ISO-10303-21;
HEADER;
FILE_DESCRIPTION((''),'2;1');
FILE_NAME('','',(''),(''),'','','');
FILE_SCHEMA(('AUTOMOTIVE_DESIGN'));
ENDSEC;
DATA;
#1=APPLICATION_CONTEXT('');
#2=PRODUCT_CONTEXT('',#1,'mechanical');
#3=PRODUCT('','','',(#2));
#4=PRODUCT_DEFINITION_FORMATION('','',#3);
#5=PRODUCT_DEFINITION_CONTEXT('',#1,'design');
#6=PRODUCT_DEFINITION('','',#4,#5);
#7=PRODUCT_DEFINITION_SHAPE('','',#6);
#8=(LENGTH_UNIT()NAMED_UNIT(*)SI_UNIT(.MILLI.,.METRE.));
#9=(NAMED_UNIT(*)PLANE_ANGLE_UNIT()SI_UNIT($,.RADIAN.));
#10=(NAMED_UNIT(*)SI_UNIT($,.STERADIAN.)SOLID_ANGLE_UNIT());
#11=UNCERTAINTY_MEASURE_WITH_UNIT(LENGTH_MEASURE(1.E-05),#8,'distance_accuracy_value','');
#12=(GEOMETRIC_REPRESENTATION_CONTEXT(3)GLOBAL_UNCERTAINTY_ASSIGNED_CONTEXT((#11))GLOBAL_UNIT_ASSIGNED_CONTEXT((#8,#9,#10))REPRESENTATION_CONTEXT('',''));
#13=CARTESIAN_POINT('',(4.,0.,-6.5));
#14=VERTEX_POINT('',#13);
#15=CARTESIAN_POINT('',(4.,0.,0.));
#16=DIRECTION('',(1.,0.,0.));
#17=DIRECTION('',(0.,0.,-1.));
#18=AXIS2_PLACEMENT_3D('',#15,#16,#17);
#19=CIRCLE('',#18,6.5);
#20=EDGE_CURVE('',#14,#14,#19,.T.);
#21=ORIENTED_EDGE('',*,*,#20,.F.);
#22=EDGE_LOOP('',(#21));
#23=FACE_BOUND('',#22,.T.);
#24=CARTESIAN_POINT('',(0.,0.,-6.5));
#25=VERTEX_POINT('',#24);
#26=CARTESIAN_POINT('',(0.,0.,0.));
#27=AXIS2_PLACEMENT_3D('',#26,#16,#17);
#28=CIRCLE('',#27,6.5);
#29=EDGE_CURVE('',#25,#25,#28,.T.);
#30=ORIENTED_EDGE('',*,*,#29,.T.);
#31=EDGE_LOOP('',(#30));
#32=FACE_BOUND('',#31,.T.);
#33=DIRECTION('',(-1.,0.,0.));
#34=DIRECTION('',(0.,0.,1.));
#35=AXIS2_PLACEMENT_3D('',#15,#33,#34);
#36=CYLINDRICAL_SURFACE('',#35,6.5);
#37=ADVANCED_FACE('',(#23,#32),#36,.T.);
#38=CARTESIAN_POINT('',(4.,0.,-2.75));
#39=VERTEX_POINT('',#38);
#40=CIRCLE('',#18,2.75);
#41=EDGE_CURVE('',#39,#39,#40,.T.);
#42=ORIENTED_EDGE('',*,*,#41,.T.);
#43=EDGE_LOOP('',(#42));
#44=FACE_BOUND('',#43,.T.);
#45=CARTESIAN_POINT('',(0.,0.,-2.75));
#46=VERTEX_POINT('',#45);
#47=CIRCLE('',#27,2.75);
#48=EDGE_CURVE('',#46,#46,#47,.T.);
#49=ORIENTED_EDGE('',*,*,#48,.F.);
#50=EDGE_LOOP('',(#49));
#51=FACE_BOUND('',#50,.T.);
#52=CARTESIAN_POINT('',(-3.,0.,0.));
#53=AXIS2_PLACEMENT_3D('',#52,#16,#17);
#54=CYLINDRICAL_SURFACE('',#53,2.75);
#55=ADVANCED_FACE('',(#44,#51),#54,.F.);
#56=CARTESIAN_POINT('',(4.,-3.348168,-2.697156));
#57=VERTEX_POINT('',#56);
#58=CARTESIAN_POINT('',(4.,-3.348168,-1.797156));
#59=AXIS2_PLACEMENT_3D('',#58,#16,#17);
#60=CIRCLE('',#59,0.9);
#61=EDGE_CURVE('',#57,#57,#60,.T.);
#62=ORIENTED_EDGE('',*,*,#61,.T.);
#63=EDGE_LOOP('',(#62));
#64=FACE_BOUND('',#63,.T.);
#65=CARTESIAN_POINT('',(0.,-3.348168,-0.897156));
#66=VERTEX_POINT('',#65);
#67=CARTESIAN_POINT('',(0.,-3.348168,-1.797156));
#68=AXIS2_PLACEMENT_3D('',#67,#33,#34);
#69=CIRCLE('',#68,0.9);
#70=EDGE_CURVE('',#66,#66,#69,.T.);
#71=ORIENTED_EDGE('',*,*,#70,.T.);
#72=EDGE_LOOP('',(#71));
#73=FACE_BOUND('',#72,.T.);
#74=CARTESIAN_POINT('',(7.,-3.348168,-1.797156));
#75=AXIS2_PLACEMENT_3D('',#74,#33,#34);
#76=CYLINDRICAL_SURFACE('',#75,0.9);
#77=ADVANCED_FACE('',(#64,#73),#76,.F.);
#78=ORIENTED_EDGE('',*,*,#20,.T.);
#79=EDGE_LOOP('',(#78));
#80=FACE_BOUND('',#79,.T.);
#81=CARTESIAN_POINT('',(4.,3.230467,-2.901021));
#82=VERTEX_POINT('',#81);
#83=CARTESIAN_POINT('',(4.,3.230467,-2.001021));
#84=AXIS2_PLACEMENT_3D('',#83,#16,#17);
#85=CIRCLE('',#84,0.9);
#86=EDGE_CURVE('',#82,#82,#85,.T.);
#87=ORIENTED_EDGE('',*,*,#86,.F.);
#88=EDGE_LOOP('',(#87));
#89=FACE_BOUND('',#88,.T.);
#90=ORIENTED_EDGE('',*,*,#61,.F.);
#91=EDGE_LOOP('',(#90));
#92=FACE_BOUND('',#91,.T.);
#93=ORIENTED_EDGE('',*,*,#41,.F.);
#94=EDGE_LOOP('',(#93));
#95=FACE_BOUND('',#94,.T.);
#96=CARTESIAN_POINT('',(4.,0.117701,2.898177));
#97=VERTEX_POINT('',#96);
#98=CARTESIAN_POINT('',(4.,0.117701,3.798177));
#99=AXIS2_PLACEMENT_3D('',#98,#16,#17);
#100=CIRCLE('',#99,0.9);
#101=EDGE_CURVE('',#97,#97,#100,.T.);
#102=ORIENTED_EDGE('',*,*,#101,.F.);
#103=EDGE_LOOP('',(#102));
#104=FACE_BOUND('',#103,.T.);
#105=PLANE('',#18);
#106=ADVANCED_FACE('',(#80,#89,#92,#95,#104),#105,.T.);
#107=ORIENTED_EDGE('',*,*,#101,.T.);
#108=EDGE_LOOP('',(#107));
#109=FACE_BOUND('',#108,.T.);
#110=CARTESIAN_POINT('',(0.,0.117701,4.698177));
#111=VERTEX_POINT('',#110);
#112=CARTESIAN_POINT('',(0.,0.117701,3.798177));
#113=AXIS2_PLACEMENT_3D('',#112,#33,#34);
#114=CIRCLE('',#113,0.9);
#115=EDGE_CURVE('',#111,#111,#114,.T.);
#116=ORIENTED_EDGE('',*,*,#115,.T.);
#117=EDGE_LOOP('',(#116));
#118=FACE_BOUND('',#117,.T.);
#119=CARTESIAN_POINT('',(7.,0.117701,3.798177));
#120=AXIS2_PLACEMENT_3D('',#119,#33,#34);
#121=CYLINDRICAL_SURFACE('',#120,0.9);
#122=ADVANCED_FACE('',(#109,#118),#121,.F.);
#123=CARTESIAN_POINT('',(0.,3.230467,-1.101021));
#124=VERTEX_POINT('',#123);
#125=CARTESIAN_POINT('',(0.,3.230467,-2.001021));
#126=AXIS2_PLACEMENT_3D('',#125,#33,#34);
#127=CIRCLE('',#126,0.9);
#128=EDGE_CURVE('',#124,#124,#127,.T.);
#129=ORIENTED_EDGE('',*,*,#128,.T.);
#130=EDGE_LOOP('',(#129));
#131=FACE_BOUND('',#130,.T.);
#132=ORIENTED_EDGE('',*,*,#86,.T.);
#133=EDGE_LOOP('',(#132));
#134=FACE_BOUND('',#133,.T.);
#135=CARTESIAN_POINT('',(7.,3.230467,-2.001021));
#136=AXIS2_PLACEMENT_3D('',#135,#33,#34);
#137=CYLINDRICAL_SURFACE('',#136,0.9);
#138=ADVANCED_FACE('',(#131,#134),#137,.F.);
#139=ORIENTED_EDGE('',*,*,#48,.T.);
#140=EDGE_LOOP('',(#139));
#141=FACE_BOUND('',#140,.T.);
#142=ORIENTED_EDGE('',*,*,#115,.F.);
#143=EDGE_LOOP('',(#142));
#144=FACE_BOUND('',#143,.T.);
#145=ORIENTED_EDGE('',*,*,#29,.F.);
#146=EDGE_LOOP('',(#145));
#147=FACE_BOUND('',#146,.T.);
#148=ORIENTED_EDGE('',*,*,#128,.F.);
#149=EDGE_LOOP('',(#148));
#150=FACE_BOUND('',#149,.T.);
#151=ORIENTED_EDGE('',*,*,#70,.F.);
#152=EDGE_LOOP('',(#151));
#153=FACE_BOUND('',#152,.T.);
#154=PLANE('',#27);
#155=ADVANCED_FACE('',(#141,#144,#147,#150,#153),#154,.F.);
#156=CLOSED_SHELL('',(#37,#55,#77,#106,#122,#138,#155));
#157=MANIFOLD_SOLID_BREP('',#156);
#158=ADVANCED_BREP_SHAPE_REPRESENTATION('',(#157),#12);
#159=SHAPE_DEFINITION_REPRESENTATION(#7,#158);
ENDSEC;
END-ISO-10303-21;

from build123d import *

# Parameters (mm, degrees)
SKETCH1_R           = 6.5
BOSS_EXTRUDE1_DEPTH = 4
SKETCH2_R           = 2.75
CUT_EXTRUDE1_DEPTH  = 7
SKETCH3_R           = 0.9
CUT_EXTRUDE2_DEPTH  = 7


with BuildPart() as part:
    # Sketch1 → Boss-Extrude1 (new body)
    with BuildSketch(Plane(origin=(0, 0, 0), x_dir=(0, 0, -1), z_dir=(1, 0, 0))):
        Circle(SKETCH1_R)
    extrude(amount=BOSS_EXTRUDE1_DEPTH)

    # Sketch2 → Cut-Extrude1 (cut)
    with BuildSketch(Plane(origin=(4, 0, 0), x_dir=(0, 0, -1), z_dir=(1, 0, 0))):
        Circle(SKETCH2_R)
    extrude(amount=-CUT_EXTRUDE1_DEPTH, mode=Mode.SUBTRACT)

    # Sketch3 → Cut-Extrude2 (cut)
    with BuildSketch(Plane.ZY):
        with Locations((-2.001020721, 3.230466851)):
            Circle(SKETCH3_R)
        with Locations((3.798176719, 0.117701352)):
            Circle(SKETCH3_R)
        with Locations((-1.797155999, -3.348168203)):
            Circle(SKETCH3_R)
    extrude(amount=-CUT_EXTRUDE2_DEPTH, mode=Mode.SUBTRACT)


solid = part.part
